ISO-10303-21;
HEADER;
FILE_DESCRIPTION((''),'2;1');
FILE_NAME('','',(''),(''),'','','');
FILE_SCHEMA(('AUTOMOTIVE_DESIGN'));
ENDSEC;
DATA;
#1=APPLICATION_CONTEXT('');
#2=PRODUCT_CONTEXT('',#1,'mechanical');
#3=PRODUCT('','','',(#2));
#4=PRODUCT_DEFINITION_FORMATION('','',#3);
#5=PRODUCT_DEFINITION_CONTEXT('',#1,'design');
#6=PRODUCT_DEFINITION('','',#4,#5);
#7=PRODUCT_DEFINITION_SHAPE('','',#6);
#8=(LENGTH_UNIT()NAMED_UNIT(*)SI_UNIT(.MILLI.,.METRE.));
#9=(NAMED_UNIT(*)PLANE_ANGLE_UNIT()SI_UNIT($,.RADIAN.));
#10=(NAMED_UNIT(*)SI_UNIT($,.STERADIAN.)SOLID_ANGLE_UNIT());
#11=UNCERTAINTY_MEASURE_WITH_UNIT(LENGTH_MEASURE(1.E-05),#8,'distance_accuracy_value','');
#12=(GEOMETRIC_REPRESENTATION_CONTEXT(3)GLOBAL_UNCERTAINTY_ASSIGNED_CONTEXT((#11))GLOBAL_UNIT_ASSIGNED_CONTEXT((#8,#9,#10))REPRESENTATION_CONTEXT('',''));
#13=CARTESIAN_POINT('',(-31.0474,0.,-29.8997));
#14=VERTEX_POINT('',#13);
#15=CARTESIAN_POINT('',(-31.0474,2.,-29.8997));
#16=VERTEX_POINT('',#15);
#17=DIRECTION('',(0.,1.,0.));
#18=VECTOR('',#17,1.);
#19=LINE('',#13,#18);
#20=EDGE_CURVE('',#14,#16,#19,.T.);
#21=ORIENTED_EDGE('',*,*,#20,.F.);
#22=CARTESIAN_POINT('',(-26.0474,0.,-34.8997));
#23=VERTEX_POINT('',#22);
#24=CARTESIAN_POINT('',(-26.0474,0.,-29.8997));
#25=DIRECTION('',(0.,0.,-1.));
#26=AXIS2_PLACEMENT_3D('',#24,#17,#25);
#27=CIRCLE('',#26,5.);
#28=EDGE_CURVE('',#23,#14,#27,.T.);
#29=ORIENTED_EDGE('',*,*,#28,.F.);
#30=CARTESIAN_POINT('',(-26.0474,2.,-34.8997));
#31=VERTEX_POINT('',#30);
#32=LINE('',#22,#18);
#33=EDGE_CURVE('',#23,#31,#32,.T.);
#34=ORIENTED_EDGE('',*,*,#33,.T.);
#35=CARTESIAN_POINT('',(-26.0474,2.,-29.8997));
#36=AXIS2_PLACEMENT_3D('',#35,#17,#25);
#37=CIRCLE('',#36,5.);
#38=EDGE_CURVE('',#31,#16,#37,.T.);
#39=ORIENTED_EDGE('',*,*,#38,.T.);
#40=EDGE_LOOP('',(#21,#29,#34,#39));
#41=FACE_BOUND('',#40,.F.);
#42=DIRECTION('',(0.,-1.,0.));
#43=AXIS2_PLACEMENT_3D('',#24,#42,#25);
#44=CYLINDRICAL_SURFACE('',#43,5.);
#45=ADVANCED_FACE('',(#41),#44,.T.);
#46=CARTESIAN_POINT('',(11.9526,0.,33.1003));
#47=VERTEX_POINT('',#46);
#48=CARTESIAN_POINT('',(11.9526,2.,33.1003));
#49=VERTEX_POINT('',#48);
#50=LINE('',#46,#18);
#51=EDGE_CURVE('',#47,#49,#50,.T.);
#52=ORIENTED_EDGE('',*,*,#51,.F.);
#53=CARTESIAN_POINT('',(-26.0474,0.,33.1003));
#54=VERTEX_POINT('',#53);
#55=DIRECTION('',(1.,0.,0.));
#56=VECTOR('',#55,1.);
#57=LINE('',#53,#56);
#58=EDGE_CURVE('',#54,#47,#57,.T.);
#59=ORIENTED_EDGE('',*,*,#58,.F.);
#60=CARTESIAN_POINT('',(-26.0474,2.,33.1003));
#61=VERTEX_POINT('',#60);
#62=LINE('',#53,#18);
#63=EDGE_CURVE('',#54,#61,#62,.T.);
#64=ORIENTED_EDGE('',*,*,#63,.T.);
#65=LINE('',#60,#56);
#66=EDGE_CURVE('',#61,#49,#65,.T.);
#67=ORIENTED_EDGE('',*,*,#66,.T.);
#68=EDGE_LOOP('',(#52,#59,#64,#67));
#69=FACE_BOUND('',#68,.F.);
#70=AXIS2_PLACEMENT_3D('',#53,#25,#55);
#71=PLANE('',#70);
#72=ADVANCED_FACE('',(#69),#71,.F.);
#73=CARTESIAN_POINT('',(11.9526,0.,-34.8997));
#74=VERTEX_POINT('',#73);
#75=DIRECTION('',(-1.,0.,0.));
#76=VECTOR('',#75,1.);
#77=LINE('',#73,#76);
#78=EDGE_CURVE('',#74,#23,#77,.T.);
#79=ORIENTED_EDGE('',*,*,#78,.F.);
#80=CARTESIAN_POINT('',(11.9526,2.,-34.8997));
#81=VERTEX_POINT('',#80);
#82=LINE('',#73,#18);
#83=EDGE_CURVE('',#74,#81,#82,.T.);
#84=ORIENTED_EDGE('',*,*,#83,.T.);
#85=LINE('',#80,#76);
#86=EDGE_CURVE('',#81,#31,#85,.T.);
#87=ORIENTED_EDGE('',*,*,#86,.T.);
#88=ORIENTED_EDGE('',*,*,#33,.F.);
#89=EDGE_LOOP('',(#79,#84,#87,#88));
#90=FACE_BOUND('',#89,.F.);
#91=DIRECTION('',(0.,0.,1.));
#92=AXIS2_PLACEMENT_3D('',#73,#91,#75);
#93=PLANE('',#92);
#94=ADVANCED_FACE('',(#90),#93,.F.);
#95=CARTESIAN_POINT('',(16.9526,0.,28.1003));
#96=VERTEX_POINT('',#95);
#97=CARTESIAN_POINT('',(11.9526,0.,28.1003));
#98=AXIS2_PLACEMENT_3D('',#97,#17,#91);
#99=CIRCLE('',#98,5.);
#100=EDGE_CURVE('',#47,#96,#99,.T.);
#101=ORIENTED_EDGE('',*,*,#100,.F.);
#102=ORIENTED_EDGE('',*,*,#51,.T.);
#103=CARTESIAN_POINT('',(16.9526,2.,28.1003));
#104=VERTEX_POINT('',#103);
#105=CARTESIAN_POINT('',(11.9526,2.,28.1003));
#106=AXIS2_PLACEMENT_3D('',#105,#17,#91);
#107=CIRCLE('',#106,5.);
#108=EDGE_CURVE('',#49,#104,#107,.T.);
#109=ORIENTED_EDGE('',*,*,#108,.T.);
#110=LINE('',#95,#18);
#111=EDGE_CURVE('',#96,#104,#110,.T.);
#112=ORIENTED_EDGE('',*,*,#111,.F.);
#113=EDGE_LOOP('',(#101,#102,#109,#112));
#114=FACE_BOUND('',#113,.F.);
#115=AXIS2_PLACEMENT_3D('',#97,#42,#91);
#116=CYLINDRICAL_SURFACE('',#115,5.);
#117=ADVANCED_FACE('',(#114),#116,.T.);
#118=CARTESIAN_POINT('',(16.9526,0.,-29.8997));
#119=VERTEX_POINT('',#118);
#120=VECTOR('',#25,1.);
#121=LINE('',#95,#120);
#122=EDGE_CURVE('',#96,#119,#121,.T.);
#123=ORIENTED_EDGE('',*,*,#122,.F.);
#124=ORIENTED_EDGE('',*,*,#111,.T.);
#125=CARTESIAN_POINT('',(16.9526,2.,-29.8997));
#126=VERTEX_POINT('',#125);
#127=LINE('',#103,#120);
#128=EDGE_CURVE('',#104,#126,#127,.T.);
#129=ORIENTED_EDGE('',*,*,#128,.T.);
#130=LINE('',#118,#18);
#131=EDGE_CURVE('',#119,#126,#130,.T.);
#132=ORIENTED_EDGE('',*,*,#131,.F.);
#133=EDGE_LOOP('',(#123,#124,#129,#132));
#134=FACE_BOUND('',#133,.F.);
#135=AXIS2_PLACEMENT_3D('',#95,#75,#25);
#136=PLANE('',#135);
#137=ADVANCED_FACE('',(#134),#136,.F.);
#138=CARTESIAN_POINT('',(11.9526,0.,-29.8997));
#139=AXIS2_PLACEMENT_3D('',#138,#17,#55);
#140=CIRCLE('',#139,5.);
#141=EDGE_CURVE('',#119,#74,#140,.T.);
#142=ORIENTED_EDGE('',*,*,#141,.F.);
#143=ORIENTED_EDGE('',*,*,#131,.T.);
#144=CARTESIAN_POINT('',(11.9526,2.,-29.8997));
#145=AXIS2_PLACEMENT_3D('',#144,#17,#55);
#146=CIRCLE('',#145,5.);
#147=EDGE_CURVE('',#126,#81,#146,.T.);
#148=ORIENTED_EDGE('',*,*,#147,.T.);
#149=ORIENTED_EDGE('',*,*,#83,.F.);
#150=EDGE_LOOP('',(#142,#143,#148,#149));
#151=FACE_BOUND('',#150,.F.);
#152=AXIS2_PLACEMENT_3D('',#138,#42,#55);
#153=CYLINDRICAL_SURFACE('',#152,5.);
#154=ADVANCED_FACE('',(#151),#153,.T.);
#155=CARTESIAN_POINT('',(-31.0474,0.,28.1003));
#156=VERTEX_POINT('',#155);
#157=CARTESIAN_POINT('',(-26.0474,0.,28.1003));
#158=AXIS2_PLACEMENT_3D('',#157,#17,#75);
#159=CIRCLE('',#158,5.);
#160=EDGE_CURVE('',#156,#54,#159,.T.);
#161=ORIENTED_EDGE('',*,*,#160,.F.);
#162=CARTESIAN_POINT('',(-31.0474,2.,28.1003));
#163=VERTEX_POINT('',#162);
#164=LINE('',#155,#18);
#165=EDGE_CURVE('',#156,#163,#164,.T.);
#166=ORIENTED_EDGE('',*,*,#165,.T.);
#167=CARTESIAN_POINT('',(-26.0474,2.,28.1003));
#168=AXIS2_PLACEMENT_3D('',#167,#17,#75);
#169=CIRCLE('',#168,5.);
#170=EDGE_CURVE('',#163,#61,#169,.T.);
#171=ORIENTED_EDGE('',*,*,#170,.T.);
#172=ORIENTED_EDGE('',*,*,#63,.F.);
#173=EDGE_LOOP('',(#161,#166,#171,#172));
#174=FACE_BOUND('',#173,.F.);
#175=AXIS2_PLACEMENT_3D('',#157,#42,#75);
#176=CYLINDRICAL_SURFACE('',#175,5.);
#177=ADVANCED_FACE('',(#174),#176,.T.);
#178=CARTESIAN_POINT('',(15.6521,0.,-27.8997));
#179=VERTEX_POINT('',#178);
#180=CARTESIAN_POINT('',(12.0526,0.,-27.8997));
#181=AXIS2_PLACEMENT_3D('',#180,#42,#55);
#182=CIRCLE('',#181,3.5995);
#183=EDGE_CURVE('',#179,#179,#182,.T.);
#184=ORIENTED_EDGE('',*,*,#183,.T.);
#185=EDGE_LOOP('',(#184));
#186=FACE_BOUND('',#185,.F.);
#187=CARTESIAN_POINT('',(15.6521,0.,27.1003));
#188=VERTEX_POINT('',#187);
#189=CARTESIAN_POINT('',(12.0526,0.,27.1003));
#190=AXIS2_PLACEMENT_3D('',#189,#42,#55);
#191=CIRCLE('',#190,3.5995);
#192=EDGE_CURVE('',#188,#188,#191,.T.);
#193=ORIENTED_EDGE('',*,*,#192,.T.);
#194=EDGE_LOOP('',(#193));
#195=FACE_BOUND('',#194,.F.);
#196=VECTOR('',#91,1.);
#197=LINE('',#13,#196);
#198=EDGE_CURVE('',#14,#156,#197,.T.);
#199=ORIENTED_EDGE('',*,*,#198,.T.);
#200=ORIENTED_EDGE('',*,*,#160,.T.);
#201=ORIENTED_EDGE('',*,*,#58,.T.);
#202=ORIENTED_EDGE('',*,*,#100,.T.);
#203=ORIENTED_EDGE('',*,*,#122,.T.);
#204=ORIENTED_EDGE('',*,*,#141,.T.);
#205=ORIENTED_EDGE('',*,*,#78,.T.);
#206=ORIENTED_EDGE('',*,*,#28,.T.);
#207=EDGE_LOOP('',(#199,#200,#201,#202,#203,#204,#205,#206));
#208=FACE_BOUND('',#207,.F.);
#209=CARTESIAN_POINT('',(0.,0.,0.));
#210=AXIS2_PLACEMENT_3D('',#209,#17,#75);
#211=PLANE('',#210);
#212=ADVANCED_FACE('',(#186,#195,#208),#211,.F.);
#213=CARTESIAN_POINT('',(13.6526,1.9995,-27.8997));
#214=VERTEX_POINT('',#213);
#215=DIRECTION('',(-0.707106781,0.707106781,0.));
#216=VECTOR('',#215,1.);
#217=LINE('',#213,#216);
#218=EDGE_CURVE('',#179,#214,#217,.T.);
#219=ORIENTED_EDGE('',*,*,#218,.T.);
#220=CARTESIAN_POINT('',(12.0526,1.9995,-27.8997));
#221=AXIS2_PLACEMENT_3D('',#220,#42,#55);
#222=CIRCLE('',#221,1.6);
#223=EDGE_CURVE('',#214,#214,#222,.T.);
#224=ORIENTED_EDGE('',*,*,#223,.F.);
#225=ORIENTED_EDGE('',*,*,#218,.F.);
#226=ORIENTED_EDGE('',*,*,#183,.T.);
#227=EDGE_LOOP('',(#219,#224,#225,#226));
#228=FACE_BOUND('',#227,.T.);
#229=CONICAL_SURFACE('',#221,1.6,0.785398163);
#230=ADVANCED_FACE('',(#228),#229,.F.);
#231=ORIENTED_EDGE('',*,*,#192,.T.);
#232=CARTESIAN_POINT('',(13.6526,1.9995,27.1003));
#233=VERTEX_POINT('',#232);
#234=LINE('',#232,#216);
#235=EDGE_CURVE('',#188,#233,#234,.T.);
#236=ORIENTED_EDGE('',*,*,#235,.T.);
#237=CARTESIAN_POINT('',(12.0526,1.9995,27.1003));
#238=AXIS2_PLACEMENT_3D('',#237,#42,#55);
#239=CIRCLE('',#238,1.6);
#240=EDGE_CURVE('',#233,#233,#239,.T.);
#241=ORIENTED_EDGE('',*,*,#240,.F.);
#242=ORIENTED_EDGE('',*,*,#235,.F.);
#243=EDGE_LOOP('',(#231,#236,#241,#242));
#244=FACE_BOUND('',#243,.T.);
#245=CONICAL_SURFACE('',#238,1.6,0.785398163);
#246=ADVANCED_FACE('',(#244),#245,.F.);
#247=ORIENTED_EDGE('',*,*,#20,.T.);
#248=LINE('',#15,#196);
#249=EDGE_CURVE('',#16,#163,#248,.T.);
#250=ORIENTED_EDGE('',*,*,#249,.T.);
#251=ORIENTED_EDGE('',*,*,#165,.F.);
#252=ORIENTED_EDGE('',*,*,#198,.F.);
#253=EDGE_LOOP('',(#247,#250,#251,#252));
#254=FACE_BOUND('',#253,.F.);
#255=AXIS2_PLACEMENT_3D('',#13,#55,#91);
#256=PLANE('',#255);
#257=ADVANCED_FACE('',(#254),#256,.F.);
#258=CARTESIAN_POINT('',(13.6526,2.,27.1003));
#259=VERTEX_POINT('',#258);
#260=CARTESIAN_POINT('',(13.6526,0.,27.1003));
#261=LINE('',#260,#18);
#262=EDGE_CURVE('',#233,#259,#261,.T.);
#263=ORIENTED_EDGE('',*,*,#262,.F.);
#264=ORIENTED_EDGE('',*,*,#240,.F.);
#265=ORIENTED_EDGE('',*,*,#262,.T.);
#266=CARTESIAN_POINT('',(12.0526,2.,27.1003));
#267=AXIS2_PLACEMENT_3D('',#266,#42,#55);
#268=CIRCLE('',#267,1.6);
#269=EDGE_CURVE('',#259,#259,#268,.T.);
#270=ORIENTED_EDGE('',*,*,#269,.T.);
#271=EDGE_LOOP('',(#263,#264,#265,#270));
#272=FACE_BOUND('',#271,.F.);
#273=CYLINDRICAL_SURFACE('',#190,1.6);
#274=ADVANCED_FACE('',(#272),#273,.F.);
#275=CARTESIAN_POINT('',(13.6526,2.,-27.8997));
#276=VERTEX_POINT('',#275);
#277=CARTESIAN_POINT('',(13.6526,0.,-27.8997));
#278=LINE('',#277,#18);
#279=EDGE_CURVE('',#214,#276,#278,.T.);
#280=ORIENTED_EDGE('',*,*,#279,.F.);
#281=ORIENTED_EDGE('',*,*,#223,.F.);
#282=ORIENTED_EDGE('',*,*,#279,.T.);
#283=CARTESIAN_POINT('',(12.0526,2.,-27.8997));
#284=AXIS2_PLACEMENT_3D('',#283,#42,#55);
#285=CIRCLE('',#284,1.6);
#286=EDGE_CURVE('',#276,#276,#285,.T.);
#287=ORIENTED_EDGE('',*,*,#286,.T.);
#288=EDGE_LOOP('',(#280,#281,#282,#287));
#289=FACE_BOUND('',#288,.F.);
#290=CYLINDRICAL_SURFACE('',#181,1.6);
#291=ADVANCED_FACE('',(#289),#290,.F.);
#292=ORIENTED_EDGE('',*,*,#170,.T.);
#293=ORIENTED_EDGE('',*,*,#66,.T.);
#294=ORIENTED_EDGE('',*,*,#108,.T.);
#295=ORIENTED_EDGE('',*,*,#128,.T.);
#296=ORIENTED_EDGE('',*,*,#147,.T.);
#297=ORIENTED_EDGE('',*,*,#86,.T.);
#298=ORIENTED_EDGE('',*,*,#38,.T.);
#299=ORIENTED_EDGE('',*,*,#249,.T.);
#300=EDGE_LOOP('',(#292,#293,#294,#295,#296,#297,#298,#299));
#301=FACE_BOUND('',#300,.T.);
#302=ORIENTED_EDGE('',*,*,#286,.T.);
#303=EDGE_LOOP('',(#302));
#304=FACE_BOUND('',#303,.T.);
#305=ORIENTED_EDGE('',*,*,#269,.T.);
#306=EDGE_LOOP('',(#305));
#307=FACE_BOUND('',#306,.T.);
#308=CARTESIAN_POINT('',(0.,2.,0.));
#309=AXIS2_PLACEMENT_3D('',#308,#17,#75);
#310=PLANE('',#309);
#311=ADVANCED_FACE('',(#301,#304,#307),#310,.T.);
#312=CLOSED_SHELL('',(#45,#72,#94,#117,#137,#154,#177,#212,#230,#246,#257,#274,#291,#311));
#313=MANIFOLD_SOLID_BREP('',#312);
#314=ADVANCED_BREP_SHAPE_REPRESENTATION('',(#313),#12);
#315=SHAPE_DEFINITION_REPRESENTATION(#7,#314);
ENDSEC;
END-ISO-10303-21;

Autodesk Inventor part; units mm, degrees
ref_plane "YZ Plane" through (0, 0, 0) normal (1, 0, 0) x (0, 1, 0)
ref_plane "XZ Plane" through (0, 0, 0) normal (0, 1, 0) x (-1, 0, 0)
ref_plane "XY Plane" through (0, 0, 0) normal (0, 0, 1) x (1, 0, 0)
sketch "Эскиз1" plane through (0, 0, 0) normal (0, 1, 0) x (-1, 0, 0)
  line L0 (26.0474, 33.1003) -> (-11.9526, 33.1003)
  line L1 (-16.9526, 28.1003) -> (-16.9526, -29.8997)
  line L2 (-11.9526, -34.8997) -> (26.0474, -34.8997)
  line L3 (31.0474, -29.8997) -> (31.0474, 28.1003)
  arc A0 (31.0474, 28.1003) -> (26.0474, 33.1003) centre (26.0474, 28.1003) ccw
  arc A1 (-11.9526, 33.1003) -> (-16.9526, 28.1003) centre (-11.9526, 28.1003) ccw
  arc A2 (-16.9526, -29.8997) -> (-11.9526, -34.8997) centre (-11.9526, -29.8997) ccw
  arc A3 (26.0474, -34.8997) -> (31.0474, -29.8997) centre (26.0474, -29.8997) ccw
  point P0 (0, 0)
  dimension "d0" = 68
  dimension "d1" = 48
  dimension "d2" = 5
extrude "Выдавливание1" add sketch "Эскиз1" along normal blind 2
sketch "Эскиз2" plane through (0, 0, 0) normal (0, -1, 0) x (1, 0, 0)
  circle A0 centre (12.0526, -27.8997) radius 1.6
  line L0 (11.9526, -34.8997) -> (-26.0474, -34.8997) projected
  line L1 (16.9526, 28.1003) -> (16.9526, -29.8997) projected
  circle A1 centre (12.0526, 27.1003) radius 1.6
  line L2 (-26.0474, 33.1003) -> (11.9526, 33.1003) projected
  point P0 (0, 0)
  dimension "d7" = 7
  dimension "d9" = 4.9
  dimension "d13" = 4.9
  dimension "d14" = 6
extrude "Выдавливание2" cut sketch "Эскиз2" against normal blind 10
chamfer "Фаска1" distance 2 angle 45 2 edges at (10.4526, 0, 27.1003) (10.4526, 0, -27.8997)
properties part number "Krishka"
